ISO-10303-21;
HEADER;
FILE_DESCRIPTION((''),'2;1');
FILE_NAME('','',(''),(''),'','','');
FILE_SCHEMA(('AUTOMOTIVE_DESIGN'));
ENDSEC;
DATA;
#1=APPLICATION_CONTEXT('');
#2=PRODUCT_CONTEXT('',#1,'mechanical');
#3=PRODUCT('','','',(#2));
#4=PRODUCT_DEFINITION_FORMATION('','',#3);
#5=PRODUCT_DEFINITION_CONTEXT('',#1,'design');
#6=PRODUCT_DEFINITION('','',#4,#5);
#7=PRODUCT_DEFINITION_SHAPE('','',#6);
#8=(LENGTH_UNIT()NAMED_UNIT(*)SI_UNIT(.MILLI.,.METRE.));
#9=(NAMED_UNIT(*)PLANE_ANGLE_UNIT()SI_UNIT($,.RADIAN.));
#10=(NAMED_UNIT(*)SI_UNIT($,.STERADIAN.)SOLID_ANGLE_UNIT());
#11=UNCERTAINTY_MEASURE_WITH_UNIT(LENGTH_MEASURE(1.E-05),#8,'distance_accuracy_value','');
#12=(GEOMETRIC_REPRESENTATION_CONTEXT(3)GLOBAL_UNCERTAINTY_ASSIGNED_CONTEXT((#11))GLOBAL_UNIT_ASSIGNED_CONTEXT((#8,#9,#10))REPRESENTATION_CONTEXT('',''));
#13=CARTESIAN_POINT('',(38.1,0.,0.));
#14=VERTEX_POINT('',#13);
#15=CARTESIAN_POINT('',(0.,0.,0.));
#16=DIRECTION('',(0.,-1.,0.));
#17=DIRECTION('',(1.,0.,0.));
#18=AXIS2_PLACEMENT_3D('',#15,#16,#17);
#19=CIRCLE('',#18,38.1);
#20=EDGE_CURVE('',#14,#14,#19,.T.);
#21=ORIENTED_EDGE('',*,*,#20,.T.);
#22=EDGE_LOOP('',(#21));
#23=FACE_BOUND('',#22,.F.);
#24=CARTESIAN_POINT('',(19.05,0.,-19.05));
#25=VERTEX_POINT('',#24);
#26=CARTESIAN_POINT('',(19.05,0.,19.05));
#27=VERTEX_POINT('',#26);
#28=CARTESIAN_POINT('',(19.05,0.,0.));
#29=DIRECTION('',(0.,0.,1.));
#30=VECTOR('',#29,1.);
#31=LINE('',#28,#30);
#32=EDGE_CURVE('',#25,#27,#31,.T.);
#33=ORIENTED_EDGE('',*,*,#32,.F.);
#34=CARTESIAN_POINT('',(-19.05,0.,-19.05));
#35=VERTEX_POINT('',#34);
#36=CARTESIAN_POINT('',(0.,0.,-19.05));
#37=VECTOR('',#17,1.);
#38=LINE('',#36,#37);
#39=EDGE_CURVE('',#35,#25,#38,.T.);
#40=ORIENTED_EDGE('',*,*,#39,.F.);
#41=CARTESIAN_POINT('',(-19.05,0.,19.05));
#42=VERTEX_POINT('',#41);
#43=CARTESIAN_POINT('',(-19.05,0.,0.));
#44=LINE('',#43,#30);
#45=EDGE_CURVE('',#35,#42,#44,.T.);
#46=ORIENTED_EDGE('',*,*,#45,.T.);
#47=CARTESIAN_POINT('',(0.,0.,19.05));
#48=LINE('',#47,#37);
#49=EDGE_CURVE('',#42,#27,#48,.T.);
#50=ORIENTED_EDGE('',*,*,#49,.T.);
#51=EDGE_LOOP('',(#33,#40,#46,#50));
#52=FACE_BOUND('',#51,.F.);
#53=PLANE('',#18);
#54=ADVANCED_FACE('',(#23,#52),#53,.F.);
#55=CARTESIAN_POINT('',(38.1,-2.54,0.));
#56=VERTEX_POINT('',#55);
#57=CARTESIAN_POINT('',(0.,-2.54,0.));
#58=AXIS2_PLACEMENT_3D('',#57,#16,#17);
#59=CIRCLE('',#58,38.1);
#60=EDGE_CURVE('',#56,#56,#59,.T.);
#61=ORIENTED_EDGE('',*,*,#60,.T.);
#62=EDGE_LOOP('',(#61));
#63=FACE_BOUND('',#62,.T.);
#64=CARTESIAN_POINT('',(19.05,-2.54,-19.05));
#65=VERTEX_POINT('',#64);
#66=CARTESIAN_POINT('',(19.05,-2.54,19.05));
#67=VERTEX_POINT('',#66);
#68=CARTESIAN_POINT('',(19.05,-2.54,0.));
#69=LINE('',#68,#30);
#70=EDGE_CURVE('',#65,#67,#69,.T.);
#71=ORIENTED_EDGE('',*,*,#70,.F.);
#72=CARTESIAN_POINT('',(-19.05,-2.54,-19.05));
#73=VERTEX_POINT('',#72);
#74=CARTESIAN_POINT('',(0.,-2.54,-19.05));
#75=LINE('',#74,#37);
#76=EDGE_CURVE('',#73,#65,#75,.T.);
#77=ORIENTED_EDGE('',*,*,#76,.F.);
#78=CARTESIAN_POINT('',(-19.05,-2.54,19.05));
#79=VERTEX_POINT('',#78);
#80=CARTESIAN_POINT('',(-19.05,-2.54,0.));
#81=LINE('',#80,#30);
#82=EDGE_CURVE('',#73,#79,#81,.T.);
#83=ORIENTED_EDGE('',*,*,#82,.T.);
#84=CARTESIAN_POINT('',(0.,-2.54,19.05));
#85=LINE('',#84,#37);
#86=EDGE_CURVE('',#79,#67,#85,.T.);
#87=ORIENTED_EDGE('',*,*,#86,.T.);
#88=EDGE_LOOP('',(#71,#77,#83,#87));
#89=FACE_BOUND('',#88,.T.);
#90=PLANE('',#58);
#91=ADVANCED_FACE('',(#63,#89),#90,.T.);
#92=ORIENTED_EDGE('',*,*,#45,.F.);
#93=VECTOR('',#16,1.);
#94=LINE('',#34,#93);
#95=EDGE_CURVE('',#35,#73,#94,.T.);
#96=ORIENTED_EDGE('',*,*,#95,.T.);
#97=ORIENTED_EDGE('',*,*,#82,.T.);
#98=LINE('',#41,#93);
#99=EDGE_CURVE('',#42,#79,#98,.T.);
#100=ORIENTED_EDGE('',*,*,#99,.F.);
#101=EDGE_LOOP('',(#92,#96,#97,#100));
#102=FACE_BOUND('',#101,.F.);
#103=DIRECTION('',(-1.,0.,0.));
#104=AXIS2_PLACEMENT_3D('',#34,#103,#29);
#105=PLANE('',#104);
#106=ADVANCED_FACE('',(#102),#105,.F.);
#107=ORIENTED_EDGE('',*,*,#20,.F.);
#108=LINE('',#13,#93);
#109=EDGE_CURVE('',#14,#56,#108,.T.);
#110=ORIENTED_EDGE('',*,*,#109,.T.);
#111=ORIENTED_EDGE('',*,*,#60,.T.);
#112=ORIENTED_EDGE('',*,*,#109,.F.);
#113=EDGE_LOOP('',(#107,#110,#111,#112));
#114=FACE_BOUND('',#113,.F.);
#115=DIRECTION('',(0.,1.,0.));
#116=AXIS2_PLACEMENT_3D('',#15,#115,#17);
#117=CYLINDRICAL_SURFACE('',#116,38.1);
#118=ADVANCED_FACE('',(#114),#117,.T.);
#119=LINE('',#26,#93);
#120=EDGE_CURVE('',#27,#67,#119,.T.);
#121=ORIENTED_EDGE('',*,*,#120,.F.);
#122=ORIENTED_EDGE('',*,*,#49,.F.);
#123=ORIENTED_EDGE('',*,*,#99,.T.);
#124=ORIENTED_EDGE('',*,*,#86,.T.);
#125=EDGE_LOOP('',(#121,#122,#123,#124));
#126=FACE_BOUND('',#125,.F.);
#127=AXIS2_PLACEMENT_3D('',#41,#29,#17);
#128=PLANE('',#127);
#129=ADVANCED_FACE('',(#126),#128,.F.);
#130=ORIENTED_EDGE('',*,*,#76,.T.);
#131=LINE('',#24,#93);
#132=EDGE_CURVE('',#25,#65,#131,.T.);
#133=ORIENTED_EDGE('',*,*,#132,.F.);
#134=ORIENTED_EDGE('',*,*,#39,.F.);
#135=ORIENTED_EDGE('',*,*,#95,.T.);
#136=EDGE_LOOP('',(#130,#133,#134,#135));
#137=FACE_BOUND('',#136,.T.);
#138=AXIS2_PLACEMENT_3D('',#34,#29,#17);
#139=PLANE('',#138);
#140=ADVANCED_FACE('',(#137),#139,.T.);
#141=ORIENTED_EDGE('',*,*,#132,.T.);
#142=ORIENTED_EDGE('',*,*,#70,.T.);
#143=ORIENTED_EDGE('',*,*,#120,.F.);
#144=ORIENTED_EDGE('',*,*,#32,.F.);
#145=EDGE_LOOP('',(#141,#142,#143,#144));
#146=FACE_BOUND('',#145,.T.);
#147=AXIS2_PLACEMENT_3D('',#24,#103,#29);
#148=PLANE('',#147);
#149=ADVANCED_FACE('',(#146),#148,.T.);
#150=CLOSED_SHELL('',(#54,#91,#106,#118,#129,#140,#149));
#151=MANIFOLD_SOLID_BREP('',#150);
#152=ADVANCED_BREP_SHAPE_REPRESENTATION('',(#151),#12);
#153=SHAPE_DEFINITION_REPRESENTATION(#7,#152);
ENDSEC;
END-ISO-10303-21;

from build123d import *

# Parameters (mm, degrees)
F0_R     = 38.1
F0_W     = 38.1
F0_H     = 38.1
F1_DEPTH = 2.54


with BuildPart() as f1:
    # F0 (on Front) → F1 (new body)
    with BuildSketch(Plane.XZ):
        Circle(F0_R)
        Rectangle(F0_W, F0_H, mode=Mode.SUBTRACT)
    extrude(amount=F1_DEPTH)


solid = f1.part
